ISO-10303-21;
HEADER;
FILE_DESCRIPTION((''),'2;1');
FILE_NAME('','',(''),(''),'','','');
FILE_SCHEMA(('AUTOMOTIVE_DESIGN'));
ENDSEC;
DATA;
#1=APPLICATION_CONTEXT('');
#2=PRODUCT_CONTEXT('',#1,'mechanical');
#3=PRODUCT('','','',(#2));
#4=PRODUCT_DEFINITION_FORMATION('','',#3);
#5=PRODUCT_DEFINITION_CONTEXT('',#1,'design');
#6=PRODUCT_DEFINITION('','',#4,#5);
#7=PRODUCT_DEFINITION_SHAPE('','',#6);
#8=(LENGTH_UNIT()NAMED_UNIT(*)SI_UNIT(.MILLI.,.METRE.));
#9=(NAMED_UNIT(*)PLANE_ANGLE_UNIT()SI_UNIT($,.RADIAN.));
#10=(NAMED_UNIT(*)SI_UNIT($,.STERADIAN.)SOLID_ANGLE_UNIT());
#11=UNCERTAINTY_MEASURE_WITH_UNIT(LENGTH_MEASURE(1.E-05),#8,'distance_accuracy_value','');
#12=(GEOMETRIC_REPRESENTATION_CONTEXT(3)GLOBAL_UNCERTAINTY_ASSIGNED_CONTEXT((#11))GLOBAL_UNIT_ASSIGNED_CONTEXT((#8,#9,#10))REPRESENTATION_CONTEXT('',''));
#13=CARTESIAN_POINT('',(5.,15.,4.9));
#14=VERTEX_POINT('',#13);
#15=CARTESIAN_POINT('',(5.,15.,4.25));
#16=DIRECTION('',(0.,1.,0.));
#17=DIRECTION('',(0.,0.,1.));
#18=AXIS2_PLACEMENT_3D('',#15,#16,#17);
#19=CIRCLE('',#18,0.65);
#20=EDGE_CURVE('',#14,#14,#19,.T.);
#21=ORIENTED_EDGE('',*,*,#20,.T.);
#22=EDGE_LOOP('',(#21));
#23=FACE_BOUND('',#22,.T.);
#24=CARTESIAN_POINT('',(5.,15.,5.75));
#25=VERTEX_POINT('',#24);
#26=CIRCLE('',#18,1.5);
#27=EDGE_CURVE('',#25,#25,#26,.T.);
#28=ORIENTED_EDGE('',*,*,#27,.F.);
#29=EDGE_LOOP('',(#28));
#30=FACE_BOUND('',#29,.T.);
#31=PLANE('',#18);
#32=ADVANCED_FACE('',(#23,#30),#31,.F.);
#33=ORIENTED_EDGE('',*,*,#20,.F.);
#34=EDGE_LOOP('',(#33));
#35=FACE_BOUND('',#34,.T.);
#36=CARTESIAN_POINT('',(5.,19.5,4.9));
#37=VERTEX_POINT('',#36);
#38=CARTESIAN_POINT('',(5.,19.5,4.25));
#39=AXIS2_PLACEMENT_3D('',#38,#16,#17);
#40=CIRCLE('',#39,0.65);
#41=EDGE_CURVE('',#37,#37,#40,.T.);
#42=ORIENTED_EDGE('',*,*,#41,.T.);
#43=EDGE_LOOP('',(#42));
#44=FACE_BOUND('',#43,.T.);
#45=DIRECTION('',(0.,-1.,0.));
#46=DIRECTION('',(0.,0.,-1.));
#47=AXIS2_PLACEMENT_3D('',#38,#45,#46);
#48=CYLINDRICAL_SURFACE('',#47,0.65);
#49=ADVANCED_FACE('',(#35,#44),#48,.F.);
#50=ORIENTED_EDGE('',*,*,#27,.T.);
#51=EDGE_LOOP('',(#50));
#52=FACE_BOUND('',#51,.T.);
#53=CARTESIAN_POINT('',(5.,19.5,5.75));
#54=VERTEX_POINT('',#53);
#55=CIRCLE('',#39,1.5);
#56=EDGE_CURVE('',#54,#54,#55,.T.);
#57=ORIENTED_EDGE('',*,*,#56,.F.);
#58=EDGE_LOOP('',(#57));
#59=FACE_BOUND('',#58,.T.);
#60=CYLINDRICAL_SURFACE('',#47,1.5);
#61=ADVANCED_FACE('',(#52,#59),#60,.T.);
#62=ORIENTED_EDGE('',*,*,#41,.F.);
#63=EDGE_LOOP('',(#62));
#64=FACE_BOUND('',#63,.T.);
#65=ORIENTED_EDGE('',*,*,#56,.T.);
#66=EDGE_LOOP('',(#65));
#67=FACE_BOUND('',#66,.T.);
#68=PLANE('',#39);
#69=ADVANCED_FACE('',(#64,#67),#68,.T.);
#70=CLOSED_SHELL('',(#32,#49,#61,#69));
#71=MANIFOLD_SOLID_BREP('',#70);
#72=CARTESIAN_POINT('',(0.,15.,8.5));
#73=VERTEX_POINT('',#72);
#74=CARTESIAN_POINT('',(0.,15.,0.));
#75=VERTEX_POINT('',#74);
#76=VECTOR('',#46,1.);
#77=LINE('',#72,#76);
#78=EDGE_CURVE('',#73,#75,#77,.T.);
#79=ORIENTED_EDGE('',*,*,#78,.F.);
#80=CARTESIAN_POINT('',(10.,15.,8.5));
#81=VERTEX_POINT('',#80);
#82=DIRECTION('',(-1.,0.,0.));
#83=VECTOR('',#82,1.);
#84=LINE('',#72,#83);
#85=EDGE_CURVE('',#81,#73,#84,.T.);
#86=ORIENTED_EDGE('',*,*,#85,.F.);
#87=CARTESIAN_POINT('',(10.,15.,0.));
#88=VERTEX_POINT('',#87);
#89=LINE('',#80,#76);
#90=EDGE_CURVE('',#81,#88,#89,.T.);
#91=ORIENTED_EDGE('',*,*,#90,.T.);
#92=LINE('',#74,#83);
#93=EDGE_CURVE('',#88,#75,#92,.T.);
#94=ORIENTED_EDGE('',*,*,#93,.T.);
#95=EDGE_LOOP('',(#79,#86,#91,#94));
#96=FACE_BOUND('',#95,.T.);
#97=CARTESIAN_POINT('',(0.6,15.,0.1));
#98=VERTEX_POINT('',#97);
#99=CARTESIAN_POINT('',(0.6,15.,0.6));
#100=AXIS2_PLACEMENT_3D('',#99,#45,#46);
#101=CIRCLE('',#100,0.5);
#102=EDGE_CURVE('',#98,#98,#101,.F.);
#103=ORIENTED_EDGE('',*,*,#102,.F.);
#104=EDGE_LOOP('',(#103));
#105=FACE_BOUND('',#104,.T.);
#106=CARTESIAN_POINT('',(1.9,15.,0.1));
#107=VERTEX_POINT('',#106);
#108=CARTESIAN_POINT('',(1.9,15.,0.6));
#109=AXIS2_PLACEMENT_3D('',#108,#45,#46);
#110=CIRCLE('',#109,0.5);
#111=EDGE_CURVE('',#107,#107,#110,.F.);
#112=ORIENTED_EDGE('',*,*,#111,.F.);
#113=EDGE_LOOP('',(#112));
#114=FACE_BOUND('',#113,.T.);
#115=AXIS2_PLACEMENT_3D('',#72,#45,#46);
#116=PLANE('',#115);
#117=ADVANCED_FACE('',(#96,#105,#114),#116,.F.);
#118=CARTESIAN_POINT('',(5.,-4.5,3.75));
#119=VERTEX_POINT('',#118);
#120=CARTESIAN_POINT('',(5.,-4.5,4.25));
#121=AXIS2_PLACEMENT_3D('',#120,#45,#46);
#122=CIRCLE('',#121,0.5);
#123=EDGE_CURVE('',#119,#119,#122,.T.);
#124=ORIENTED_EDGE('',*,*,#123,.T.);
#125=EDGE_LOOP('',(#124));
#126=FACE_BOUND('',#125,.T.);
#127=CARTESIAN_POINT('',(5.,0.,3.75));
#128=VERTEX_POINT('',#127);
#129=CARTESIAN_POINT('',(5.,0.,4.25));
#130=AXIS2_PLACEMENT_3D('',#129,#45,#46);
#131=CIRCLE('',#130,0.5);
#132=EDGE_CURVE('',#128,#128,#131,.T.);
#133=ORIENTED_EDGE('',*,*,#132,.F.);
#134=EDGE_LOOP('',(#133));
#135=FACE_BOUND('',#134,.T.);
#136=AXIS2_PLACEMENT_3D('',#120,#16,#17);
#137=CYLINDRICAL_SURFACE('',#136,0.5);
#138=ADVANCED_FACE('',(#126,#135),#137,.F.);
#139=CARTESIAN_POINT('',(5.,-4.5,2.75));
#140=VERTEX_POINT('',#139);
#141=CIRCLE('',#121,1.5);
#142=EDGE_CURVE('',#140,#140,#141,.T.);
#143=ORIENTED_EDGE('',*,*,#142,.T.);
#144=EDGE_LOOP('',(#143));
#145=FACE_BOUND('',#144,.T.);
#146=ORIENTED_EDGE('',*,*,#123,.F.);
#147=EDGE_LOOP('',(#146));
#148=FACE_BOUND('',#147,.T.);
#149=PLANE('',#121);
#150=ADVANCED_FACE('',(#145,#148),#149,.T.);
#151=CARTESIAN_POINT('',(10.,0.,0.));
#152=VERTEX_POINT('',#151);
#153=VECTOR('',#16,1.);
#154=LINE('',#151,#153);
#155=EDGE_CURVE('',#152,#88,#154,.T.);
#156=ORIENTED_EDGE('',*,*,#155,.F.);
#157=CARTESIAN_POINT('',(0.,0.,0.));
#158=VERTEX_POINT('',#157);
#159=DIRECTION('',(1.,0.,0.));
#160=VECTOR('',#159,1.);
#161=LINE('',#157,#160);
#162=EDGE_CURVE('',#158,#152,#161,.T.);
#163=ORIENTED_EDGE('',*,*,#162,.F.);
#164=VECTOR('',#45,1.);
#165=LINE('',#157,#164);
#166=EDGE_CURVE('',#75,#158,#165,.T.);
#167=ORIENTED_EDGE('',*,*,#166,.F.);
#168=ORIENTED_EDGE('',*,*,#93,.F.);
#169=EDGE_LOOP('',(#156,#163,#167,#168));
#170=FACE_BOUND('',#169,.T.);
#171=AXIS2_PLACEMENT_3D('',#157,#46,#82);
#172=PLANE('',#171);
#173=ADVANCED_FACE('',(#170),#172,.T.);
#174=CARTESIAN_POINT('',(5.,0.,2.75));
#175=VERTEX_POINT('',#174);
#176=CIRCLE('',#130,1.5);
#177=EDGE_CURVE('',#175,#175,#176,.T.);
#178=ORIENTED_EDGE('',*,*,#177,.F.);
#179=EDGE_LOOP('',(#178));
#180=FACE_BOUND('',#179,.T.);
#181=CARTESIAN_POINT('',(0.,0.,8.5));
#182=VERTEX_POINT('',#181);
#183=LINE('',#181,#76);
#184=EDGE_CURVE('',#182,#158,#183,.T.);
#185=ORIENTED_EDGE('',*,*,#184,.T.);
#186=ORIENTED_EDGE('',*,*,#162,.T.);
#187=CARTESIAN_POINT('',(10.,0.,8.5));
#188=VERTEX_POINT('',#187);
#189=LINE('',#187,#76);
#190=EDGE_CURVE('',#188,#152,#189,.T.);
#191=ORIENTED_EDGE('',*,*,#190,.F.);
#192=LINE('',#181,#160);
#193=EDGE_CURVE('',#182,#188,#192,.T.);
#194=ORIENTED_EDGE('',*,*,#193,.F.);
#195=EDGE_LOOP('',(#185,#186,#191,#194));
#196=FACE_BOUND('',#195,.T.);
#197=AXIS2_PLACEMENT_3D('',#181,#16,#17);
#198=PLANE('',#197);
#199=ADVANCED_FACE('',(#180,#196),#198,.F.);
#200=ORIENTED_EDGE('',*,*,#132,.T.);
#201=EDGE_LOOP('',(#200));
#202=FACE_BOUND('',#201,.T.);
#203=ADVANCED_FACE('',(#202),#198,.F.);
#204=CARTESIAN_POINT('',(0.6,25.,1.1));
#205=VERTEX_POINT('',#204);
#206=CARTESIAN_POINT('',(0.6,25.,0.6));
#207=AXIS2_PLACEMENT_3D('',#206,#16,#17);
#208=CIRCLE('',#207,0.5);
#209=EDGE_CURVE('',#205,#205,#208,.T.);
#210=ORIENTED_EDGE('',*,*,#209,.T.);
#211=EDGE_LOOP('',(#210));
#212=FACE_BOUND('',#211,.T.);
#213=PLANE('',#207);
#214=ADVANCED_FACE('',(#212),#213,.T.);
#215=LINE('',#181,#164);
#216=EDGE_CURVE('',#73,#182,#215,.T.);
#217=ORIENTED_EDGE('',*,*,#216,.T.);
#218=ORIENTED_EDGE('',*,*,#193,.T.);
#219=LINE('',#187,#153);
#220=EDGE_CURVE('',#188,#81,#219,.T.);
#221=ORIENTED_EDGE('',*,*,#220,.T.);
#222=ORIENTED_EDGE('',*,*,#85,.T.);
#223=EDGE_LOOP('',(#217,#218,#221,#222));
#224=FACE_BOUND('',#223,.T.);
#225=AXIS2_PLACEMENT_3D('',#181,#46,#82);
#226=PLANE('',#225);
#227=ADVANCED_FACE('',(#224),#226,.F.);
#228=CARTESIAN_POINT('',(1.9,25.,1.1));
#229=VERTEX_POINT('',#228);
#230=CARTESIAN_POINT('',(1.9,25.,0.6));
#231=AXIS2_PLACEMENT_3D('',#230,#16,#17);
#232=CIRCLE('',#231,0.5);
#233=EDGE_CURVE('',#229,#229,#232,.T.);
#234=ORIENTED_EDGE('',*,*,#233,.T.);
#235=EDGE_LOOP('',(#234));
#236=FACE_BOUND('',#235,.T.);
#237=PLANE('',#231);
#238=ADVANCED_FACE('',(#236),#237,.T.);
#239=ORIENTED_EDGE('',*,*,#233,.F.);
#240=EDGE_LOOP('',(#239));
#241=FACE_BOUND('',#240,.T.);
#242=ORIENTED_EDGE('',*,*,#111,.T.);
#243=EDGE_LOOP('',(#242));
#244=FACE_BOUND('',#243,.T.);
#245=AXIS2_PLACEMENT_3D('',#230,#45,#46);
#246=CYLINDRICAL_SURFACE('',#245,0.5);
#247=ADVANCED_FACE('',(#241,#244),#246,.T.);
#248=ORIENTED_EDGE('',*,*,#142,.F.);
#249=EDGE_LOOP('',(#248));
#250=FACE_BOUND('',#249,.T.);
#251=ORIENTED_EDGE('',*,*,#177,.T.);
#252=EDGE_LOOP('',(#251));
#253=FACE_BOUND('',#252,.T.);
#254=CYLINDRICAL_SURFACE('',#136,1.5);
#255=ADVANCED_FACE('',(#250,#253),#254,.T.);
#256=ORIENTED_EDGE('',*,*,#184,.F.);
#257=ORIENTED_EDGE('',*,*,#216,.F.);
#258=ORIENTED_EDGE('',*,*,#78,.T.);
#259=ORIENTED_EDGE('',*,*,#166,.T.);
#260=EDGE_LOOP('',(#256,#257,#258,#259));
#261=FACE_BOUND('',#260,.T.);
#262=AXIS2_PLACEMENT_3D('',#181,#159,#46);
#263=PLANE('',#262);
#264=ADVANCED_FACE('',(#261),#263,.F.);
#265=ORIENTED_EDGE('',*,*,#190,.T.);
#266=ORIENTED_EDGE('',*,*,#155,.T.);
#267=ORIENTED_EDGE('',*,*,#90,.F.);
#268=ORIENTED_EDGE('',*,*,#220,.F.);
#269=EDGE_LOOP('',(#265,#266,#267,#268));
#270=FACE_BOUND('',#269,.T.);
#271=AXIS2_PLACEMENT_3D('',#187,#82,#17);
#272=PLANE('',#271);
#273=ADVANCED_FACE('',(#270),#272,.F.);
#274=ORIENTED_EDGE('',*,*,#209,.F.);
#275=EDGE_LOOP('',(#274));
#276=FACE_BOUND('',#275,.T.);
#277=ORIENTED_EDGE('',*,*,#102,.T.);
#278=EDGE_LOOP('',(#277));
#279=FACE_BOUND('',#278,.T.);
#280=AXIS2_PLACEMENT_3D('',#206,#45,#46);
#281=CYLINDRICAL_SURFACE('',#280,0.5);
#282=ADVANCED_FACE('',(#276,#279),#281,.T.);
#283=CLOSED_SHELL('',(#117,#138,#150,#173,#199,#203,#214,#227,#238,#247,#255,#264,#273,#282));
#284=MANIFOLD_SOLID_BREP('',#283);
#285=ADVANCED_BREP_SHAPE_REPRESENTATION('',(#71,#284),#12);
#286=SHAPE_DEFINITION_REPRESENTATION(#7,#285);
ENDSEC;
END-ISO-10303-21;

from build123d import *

# Parameters (mm, degrees)
ESQUISSE1_W        = 10
ESQUISSE1_H        = 15
BOSS_EXTRU_1_DEPTH = 8.5
ESQUISSE2_R        = 1.5
ESQUISSE2_R_2      = 0.5
BOSS_EXTRU_2_DEPTH = 4.5
ESQUISSE3_R        = 1.5
ESQUISSE3_R_2      = 0.65
BOSS_EXTRU_3_DEPTH = 4.5
ESQUISSE4_R        = 0.5
BOSS_EXTRU_4_DEPTH = 10


with BuildPart() as part:
    # Esquisse1 → Boss.-Extru.1 (new body)
    with BuildSketch(Plane.XY):
        with Locations((5, 7.5)):
            Rectangle(ESQUISSE1_W, ESQUISSE1_H)
    extrude(amount=BOSS_EXTRU_1_DEPTH)

    # Esquisse2 → Boss.-Extru.2 (add)
    with BuildSketch(Plane.XZ):
        with Locations(Location((5, 4.25, 0), (0, 0, 270))):
            Circle(ESQUISSE2_R)
        with Locations(Location((5, 4.25, 0), (0, 0, 270))):
            Circle(ESQUISSE2_R_2, mode=Mode.SUBTRACT)
    extrude(amount=BOSS_EXTRU_2_DEPTH)

    # Esquisse4 → Boss.-Extru.4 (add)
    with BuildSketch(Plane(origin=(0, 15, 0), x_dir=(1, 0, 0), z_dir=(0, 1, 0))):
        with Locations(Location((0.6, -0.6, 0), (0, 0, 90))):
            Circle(ESQUISSE4_R)
        with Locations(Location((1.9, -0.6, 0), (0, 0, 90))):
            Circle(ESQUISSE4_R)
    extrude(amount=BOSS_EXTRU_4_DEPTH)


with BuildPart() as body_2:
    # Esquisse3 → Boss.-Extru.3 (new body)
    with BuildSketch(Plane(origin=(0, 15, 0), x_dir=(1, 0, 0), z_dir=(0, 1, 0))):
        with Locations(Location((5, -4.25, 0), (0, 0, 270))):
            Circle(ESQUISSE3_R)
        with Locations(Location((5, -4.25, 0), (0, 0, 270))):
            Circle(ESQUISSE3_R_2, mode=Mode.SUBTRACT)
    extrude(amount=BOSS_EXTRU_3_DEPTH)


solid = Compound([part.part, body_2.part])
